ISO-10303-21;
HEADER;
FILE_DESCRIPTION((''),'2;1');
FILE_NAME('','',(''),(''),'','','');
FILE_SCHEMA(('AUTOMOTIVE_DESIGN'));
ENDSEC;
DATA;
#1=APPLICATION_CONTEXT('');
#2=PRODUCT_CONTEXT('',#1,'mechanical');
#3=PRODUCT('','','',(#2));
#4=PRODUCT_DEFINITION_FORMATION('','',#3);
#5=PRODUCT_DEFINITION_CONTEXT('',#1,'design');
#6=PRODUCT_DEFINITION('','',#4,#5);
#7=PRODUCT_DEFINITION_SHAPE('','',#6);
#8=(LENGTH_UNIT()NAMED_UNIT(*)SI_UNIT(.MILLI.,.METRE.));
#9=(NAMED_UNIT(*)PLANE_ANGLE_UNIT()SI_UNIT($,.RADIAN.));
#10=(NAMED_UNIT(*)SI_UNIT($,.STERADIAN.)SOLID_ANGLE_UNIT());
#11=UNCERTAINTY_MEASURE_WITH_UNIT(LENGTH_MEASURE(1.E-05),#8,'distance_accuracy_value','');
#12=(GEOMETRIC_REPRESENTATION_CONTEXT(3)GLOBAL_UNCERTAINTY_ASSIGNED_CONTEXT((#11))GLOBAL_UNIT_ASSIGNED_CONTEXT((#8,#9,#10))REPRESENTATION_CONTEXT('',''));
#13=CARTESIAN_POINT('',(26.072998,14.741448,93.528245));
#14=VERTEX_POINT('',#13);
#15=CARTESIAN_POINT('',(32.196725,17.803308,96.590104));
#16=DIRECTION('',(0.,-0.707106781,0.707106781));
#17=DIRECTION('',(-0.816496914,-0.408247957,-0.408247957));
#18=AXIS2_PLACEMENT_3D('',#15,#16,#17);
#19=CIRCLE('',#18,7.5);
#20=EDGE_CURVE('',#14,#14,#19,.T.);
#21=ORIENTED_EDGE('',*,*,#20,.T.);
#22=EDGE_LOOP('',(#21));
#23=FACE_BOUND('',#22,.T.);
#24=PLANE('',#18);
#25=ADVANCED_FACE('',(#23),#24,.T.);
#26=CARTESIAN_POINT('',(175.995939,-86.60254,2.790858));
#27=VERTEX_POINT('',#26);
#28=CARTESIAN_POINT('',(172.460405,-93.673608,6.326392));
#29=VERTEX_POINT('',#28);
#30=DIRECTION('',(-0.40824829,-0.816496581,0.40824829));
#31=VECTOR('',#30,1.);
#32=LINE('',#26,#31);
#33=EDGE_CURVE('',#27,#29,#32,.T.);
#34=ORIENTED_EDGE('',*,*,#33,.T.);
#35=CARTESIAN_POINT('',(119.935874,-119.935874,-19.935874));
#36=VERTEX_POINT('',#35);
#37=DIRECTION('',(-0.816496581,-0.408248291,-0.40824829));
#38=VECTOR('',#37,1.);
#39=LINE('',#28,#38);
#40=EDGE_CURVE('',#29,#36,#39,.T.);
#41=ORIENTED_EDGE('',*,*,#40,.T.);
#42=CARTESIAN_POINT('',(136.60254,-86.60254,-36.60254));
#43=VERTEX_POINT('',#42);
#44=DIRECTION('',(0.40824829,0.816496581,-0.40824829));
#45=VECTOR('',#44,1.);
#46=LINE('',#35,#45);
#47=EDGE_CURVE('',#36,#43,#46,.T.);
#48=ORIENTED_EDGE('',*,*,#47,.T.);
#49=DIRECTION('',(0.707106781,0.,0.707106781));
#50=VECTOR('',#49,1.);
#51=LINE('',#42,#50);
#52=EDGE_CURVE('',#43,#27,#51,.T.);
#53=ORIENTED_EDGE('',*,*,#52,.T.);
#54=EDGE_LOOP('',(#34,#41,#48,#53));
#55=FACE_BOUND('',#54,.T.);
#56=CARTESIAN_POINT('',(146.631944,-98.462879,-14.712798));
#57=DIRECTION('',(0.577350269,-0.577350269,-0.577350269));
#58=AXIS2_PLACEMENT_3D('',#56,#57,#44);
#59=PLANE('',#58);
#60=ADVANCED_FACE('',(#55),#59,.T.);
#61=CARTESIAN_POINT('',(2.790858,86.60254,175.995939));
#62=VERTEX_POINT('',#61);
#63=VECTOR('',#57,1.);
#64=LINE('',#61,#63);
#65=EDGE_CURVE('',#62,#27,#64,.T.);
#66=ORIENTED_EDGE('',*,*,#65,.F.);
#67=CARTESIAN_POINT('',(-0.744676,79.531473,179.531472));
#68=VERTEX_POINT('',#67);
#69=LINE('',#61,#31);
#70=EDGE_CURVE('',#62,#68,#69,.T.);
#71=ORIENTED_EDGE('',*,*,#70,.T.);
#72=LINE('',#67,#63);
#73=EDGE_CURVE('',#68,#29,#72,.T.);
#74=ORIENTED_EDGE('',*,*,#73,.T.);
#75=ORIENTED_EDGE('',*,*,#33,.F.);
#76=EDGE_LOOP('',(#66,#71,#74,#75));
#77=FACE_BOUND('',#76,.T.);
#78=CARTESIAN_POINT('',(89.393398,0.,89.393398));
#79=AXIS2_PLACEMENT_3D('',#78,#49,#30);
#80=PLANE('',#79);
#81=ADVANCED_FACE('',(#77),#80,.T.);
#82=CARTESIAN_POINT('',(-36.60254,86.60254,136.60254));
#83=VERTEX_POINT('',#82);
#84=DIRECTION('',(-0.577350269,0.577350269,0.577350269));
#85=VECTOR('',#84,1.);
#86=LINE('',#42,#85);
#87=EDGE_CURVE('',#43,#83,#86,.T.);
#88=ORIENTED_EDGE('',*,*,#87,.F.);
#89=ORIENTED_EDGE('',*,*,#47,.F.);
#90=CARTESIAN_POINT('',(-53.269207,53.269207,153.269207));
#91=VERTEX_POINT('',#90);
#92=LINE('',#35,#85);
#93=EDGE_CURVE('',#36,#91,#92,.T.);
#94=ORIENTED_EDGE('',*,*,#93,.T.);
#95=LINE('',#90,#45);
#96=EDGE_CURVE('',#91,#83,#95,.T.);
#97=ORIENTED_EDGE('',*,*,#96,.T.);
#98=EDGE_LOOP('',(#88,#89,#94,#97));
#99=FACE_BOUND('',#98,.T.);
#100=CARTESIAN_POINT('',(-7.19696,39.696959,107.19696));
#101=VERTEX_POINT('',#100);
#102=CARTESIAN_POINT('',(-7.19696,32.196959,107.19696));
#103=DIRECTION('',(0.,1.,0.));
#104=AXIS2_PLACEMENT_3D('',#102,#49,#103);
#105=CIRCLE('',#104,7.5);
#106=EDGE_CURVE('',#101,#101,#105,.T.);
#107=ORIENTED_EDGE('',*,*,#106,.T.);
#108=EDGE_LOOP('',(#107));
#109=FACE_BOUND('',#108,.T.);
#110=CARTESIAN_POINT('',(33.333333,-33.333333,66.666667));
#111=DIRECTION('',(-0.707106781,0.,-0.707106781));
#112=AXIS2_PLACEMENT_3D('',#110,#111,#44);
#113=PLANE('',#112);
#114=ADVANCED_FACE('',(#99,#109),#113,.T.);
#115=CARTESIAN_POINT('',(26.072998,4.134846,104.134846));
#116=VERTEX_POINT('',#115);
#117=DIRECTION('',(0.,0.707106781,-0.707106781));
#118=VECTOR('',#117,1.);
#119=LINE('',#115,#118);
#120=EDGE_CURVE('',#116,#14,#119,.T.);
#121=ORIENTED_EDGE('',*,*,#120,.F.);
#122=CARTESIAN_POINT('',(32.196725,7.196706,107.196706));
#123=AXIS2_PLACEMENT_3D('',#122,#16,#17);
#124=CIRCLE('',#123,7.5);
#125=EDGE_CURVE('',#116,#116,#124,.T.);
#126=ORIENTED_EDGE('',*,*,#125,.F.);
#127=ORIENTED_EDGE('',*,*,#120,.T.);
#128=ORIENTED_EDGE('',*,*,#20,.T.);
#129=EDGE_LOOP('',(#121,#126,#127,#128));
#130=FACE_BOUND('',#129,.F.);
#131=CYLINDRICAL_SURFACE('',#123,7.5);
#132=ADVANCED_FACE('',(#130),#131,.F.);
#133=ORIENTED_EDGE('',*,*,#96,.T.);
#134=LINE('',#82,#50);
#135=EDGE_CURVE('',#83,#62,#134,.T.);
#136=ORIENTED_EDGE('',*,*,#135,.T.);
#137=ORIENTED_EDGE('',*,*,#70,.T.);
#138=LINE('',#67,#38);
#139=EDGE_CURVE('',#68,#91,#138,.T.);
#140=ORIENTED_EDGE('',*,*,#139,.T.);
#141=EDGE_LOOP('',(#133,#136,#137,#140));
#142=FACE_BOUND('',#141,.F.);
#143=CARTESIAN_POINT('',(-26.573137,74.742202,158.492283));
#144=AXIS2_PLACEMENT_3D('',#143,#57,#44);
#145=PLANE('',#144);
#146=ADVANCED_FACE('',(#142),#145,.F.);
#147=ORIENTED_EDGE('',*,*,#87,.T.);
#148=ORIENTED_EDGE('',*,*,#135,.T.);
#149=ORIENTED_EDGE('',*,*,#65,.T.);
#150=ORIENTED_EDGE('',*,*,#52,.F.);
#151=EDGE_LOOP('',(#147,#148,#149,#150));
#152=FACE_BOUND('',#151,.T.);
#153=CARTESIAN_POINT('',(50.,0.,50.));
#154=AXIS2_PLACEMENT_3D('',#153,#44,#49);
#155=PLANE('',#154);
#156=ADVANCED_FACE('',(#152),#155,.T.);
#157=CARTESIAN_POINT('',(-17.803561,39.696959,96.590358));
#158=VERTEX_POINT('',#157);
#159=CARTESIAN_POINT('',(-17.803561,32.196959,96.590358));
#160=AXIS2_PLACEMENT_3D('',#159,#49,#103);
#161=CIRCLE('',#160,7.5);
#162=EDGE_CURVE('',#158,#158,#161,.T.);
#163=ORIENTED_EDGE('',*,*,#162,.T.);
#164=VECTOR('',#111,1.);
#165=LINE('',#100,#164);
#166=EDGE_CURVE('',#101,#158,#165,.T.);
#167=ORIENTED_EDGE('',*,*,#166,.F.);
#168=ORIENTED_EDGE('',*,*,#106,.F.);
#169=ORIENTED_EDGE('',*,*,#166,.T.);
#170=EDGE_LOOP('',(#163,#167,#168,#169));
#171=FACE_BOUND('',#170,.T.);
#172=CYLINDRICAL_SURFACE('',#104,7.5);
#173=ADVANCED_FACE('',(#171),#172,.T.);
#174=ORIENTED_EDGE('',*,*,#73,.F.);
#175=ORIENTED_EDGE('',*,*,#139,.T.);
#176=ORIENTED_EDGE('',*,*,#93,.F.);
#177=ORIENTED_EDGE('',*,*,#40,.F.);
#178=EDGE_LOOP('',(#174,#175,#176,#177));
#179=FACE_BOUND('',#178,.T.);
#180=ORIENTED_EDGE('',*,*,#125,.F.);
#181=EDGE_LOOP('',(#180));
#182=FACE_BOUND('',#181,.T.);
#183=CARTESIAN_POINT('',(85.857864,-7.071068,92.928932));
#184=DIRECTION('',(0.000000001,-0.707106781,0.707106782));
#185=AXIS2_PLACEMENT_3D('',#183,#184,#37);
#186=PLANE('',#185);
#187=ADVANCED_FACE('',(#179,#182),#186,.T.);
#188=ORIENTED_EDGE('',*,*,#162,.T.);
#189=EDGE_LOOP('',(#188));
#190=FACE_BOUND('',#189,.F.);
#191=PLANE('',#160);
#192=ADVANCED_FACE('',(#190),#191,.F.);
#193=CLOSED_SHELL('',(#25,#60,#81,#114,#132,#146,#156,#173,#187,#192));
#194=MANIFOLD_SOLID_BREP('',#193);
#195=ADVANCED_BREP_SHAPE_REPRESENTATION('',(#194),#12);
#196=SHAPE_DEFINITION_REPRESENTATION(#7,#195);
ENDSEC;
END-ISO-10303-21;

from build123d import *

# Parameters (mm, degrees)
PAD001_DEPTH            = 150
SKETCH001_R             = 7.5
PAD_DEPTH               = 15
SKETCH003_R             = 7.5
POCKET003_DEPTH         = 15
BODY003_PLACEMENT_ANGLE = 90


with BuildPart() as part:
    # Sketch002 (on DatumPlane) → Pad001 (new body, symmetric)
    with BuildSketch(Plane(origin=(0, -50, 50), x_dir=(0.816497, -0.408248, -0.408248), z_dir=(-0.57735, -0.57735, -0.57735))):
        Polygon((0, 0), (0, 55.710678), (-8.660254, 55.710678), (-40.824829, 0), align=None)
    extrude(amount=PAD001_DEPTH, both=True)

    # Sketch001 (on Face7 of Binder001) → Pad (join)
    with BuildSketch(Plane(origin=(0, -50, 50), x_dir=(1, 0, 0), z_dir=(0, -0.707107, 0.707107))):
        with Locations((32.196959, 80.888716)):
            Circle(SKETCH001_R)
    extrude(amount=-PAD_DEPTH)

    # Sketch003 (on Face6 of Pad) → Pocket003 (cut)
    with BuildSketch(Plane(origin=(-25, -50, 75), x_dir=(-0.408248, 0.816497, -0.408248), z_dir=(-0.707107, 0, 0.707107))):
        with Locations((-11.75216, -47.456286)):
            Circle(SKETCH003_R)
    extrude(amount=-POCKET003_DEPTH, mode=Mode.SUBTRACT)


with BuildPart() as part_1:
    # Body003 placement: moved
    add(part.part.rotate(Axis((0, 0, 0), (0, 0, 1)), BODY003_PLACEMENT_ANGLE))


solid = part_1.part
